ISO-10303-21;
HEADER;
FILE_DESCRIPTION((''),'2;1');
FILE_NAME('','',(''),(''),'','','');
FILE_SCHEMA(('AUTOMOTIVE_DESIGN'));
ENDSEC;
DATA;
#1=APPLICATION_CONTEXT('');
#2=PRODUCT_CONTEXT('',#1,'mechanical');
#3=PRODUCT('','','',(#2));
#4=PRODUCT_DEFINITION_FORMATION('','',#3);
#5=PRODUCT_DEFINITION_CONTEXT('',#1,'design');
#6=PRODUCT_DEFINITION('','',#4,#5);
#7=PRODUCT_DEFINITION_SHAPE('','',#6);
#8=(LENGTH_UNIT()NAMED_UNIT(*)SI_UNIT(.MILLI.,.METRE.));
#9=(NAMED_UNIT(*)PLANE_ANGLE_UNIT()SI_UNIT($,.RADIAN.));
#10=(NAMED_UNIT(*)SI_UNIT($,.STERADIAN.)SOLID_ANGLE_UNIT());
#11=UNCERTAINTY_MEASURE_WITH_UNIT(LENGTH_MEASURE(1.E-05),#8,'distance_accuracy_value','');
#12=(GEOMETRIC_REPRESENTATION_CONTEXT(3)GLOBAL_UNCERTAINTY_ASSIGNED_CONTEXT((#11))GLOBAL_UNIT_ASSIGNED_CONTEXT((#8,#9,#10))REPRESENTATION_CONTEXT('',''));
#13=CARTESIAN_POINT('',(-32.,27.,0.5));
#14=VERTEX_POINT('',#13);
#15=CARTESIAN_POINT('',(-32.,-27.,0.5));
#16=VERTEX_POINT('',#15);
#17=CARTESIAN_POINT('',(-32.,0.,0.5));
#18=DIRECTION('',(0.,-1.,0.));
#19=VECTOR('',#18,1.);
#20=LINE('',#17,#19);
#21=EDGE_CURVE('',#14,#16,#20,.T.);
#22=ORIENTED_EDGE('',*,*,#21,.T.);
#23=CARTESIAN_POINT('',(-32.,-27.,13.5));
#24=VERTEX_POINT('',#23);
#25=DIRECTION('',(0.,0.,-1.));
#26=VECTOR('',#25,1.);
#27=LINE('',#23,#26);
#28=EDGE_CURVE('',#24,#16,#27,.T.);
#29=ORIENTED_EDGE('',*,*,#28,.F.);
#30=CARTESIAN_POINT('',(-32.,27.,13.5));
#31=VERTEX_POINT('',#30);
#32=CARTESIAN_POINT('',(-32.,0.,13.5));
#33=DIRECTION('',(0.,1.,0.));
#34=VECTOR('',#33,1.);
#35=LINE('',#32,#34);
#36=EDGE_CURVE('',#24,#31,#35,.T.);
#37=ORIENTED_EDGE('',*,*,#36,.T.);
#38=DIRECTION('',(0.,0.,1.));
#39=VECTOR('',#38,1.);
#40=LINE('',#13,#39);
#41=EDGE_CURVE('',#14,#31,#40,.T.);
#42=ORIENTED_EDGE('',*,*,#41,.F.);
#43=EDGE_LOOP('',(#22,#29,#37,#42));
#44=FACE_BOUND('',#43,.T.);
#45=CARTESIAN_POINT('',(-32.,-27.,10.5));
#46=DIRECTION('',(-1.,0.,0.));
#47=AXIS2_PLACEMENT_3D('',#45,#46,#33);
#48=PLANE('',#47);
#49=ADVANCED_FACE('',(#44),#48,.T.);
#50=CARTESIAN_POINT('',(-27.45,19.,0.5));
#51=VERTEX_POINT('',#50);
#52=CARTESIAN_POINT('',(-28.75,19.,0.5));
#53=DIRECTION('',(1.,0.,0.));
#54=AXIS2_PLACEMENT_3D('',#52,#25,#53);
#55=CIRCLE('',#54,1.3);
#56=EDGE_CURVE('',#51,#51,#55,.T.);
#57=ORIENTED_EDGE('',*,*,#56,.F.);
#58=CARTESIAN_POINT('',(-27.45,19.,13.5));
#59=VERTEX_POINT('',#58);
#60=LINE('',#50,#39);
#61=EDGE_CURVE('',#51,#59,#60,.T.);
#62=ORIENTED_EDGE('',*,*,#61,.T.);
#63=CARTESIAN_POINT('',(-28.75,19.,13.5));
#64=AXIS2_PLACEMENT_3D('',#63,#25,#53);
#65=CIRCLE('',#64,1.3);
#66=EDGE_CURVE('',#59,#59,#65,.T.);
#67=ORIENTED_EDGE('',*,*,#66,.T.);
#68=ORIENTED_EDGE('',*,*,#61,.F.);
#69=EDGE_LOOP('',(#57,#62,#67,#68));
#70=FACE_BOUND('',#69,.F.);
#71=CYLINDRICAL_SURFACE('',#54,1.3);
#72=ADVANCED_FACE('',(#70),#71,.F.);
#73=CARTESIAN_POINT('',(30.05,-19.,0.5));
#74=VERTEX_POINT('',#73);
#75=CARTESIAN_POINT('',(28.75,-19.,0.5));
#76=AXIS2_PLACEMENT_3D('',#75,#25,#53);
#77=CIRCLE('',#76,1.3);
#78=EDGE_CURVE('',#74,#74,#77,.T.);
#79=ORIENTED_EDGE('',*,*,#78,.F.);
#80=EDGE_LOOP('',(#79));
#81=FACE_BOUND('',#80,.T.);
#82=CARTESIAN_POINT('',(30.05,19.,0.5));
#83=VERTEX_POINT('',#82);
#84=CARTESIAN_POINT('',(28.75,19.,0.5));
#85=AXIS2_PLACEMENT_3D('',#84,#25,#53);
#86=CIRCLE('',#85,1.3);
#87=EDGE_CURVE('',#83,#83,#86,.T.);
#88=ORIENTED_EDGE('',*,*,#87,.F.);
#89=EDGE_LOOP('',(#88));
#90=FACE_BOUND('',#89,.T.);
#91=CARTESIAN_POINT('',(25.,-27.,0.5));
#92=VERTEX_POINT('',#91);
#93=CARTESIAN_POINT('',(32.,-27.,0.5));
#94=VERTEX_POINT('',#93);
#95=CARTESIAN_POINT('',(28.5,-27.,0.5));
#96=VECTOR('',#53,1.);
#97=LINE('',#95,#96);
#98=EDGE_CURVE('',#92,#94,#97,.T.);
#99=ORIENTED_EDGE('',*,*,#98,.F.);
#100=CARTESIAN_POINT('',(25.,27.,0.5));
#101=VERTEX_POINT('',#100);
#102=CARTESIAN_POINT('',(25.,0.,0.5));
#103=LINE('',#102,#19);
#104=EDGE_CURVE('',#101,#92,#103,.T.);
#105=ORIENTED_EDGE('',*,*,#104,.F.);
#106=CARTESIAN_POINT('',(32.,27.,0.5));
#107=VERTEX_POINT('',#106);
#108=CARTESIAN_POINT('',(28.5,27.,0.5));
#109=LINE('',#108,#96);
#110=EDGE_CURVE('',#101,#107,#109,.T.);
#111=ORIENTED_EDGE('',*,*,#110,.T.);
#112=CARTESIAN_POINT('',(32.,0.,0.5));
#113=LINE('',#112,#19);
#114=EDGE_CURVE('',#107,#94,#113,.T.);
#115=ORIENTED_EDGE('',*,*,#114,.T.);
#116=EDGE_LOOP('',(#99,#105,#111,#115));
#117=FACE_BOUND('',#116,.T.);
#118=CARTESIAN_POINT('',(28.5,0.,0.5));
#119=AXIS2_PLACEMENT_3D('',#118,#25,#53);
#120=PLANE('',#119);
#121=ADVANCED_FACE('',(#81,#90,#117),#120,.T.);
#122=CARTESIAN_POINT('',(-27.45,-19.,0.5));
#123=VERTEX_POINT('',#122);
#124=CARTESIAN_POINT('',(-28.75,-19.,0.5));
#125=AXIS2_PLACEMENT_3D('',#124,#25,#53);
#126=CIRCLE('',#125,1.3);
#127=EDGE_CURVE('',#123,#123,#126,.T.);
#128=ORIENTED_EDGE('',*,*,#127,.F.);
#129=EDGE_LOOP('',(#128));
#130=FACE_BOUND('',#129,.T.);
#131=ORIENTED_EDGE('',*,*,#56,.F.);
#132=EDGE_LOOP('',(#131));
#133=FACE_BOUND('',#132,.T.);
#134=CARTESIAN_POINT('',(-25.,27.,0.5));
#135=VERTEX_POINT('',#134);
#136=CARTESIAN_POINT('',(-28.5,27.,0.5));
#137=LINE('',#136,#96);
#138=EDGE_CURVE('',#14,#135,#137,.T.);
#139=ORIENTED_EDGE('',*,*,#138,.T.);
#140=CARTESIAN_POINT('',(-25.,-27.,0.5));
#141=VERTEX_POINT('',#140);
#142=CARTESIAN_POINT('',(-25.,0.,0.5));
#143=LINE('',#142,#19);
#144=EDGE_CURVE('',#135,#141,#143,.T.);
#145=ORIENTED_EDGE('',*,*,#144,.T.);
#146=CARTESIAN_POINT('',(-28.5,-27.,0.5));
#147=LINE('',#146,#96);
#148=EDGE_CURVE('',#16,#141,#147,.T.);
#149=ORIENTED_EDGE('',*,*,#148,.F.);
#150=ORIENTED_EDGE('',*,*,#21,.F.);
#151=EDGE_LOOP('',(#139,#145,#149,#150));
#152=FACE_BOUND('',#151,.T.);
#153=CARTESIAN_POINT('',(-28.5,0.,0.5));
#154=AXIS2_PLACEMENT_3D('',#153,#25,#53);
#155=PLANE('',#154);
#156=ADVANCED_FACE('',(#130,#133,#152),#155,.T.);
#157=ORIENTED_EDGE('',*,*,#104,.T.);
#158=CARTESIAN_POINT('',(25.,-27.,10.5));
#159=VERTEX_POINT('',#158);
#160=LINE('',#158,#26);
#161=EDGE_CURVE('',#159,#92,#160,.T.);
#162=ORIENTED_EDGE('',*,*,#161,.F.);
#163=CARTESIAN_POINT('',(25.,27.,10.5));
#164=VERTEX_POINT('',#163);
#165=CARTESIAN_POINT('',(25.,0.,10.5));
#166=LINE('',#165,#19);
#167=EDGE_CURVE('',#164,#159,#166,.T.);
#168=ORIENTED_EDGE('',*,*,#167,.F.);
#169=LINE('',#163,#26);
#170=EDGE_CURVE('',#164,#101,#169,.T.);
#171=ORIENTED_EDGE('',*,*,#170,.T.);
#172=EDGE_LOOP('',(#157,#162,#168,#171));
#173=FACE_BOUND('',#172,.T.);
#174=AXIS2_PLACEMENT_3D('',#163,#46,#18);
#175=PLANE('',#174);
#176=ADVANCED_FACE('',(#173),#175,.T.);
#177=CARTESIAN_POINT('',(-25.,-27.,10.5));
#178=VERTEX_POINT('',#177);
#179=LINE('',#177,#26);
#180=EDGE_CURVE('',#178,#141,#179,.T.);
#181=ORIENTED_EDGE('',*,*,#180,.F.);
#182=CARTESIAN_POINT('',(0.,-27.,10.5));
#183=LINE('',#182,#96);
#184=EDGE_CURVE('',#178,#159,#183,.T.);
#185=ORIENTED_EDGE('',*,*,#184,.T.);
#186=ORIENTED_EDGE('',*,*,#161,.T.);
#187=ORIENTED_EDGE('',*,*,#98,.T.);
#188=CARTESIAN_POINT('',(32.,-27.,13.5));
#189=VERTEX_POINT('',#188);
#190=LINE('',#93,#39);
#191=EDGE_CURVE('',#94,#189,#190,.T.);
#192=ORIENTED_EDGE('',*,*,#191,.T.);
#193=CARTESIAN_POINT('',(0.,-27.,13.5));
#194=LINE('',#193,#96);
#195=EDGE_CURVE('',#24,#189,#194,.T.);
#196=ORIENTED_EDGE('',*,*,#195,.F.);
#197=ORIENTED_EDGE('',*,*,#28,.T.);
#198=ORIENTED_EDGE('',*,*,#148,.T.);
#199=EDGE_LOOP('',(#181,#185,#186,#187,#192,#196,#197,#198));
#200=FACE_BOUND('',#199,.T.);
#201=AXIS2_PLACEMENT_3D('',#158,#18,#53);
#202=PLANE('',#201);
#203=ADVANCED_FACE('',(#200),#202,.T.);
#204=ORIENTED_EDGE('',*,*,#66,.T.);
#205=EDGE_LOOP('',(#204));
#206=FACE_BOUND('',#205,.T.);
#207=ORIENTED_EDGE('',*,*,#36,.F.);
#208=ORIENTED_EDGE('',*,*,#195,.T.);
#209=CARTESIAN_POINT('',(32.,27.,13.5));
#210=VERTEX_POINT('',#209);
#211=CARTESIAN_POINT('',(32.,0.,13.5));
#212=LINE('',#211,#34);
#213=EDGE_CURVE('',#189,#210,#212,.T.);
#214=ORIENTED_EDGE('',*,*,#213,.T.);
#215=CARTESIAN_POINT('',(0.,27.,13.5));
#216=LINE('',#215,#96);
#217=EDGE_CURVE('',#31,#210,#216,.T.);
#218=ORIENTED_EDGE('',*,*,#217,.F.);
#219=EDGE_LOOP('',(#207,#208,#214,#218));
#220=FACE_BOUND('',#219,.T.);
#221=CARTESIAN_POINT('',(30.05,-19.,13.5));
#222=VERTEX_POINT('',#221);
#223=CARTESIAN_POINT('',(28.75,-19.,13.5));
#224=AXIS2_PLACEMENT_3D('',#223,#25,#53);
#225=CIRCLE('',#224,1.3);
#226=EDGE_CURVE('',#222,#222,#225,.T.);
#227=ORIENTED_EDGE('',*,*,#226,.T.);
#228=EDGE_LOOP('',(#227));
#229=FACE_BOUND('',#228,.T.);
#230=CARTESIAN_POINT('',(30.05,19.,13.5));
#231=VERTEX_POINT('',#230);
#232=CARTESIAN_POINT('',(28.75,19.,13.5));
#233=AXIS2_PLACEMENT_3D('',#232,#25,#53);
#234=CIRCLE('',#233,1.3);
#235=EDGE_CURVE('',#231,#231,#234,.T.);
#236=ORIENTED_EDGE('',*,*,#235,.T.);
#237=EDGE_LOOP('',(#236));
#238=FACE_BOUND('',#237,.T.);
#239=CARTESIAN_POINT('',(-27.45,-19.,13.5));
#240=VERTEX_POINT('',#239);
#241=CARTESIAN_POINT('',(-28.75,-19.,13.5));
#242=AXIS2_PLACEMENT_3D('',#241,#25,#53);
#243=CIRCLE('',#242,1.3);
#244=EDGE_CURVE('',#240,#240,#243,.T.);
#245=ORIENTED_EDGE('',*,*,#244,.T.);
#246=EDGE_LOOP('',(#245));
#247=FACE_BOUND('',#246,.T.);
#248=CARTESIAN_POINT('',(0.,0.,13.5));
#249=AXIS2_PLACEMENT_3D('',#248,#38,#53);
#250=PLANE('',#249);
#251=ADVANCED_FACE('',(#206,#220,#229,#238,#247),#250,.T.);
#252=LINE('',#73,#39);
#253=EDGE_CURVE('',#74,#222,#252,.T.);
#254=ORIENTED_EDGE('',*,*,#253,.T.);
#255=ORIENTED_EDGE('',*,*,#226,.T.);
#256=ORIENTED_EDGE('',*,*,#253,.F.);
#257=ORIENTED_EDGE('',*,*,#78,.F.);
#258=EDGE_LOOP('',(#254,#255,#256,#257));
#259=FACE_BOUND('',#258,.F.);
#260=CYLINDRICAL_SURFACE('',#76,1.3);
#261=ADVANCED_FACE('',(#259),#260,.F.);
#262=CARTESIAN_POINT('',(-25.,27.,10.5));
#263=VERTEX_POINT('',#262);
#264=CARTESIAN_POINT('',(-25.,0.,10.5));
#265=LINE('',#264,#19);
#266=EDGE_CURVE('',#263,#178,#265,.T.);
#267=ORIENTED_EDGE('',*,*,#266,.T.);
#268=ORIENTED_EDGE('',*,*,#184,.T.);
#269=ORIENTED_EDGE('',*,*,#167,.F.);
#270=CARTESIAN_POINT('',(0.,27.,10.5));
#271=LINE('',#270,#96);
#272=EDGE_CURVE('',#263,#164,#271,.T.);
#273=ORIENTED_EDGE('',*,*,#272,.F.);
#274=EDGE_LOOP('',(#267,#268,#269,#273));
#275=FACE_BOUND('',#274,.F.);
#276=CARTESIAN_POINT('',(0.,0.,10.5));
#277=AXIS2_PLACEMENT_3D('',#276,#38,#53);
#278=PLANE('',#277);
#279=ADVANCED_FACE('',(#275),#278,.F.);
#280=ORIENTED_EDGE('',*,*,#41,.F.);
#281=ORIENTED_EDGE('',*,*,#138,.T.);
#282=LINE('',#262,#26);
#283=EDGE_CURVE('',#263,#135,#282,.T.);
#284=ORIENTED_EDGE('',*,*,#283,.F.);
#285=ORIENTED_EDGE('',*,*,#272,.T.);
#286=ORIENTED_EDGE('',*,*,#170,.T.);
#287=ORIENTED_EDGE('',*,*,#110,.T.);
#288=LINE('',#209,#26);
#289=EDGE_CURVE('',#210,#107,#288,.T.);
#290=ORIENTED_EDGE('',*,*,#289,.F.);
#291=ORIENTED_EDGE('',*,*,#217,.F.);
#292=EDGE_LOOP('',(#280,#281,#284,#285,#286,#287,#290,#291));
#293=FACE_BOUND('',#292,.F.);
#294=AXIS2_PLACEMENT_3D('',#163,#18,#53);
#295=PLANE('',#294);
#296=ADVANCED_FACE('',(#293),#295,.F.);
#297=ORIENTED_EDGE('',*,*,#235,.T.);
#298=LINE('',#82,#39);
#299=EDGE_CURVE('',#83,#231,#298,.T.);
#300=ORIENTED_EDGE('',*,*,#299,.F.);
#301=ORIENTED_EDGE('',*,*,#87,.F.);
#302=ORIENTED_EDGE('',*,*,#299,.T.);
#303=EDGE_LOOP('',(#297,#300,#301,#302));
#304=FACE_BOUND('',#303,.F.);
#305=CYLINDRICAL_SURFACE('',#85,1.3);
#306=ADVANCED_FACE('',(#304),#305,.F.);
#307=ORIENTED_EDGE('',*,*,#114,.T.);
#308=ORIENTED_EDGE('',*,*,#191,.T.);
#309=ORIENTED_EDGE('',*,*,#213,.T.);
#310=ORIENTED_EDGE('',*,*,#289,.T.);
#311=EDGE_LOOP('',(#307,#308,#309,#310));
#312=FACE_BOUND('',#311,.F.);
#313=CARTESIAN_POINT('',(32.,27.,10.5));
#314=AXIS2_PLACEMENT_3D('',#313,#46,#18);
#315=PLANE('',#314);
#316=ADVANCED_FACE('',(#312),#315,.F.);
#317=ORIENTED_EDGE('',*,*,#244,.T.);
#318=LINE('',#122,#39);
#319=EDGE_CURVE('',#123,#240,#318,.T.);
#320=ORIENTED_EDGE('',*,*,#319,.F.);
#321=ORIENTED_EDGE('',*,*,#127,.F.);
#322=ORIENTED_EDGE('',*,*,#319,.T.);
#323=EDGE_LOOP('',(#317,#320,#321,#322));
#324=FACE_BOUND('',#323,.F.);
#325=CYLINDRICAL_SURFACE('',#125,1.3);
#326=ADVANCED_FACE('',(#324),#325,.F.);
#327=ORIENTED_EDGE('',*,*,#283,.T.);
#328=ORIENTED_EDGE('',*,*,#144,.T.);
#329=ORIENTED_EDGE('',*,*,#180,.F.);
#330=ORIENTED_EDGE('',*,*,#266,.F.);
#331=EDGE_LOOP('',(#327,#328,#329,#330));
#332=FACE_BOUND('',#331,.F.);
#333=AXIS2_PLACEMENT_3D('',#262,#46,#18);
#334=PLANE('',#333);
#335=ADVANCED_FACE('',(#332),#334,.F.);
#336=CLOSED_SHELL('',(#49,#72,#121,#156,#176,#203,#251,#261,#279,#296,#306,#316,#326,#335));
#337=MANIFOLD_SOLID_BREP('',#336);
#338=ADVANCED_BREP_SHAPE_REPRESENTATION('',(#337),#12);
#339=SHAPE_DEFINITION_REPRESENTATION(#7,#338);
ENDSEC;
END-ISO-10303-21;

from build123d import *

# Parameters (mm, degrees)
SKETCH_W        = 64
SKETCH_H        = 54
PAD_DEPTH       = 3
SKETCH001_W     = 7
SKETCH001_H     = 54
PAD001_DEPTH    = 10
SKETCH002_R     = 1.3
POCKET_DEPTH    = 20
SKETCH003_R     = 1.3
POCKET001_DEPTH = 20


with BuildPart() as part:
    # Sketch → Pad (new body)
    with BuildSketch(Plane.XY):
        Rectangle(SKETCH_W, SKETCH_H)
    extrude(amount=PAD_DEPTH)

    # Sketch001 (on Face5 of Pad) → Pad001 (join)
    with BuildSketch(Plane(origin=(0, 0, 0), x_dir=(1, 0, 0), z_dir=(0, 0, -1))):
        with Locations((28.5, 0)):
            Rectangle(SKETCH001_W, SKETCH001_H)
        with Locations((-28.5, 0)):
            Rectangle(SKETCH001_W, SKETCH001_H)
    extrude(amount=PAD001_DEPTH)

    # Sketch002 (on Face12 of Pad001) → Pocket (cut)
    with BuildSketch(Plane(origin=(0, 0, -10), x_dir=(1, 0, 0), z_dir=(0, 0, -1))):
        with Locations((-28.75, 19)):
            Circle(SKETCH002_R)
        with Locations((-28.75, -19)):
            Circle(SKETCH002_R)
    extrude(amount=-POCKET_DEPTH, mode=Mode.SUBTRACT)

    # Sketch003 (on Face14 of Pocket) → Pocket001 (cut)
    with BuildSketch(Plane(origin=(0, 0, -10), x_dir=(1, 0, 0), z_dir=(0, 0, -1))):
        with Locations((28.75, 19)):
            Circle(SKETCH003_R)
        with Locations((28.75, -19)):
            Circle(SKETCH003_R)
    extrude(amount=-POCKET001_DEPTH, mode=Mode.SUBTRACT)


with BuildPart() as part_1:
    # Body placement: moved
    add(part.part.moved(Location((0, 0, 10.5))))


solid = part_1.part
